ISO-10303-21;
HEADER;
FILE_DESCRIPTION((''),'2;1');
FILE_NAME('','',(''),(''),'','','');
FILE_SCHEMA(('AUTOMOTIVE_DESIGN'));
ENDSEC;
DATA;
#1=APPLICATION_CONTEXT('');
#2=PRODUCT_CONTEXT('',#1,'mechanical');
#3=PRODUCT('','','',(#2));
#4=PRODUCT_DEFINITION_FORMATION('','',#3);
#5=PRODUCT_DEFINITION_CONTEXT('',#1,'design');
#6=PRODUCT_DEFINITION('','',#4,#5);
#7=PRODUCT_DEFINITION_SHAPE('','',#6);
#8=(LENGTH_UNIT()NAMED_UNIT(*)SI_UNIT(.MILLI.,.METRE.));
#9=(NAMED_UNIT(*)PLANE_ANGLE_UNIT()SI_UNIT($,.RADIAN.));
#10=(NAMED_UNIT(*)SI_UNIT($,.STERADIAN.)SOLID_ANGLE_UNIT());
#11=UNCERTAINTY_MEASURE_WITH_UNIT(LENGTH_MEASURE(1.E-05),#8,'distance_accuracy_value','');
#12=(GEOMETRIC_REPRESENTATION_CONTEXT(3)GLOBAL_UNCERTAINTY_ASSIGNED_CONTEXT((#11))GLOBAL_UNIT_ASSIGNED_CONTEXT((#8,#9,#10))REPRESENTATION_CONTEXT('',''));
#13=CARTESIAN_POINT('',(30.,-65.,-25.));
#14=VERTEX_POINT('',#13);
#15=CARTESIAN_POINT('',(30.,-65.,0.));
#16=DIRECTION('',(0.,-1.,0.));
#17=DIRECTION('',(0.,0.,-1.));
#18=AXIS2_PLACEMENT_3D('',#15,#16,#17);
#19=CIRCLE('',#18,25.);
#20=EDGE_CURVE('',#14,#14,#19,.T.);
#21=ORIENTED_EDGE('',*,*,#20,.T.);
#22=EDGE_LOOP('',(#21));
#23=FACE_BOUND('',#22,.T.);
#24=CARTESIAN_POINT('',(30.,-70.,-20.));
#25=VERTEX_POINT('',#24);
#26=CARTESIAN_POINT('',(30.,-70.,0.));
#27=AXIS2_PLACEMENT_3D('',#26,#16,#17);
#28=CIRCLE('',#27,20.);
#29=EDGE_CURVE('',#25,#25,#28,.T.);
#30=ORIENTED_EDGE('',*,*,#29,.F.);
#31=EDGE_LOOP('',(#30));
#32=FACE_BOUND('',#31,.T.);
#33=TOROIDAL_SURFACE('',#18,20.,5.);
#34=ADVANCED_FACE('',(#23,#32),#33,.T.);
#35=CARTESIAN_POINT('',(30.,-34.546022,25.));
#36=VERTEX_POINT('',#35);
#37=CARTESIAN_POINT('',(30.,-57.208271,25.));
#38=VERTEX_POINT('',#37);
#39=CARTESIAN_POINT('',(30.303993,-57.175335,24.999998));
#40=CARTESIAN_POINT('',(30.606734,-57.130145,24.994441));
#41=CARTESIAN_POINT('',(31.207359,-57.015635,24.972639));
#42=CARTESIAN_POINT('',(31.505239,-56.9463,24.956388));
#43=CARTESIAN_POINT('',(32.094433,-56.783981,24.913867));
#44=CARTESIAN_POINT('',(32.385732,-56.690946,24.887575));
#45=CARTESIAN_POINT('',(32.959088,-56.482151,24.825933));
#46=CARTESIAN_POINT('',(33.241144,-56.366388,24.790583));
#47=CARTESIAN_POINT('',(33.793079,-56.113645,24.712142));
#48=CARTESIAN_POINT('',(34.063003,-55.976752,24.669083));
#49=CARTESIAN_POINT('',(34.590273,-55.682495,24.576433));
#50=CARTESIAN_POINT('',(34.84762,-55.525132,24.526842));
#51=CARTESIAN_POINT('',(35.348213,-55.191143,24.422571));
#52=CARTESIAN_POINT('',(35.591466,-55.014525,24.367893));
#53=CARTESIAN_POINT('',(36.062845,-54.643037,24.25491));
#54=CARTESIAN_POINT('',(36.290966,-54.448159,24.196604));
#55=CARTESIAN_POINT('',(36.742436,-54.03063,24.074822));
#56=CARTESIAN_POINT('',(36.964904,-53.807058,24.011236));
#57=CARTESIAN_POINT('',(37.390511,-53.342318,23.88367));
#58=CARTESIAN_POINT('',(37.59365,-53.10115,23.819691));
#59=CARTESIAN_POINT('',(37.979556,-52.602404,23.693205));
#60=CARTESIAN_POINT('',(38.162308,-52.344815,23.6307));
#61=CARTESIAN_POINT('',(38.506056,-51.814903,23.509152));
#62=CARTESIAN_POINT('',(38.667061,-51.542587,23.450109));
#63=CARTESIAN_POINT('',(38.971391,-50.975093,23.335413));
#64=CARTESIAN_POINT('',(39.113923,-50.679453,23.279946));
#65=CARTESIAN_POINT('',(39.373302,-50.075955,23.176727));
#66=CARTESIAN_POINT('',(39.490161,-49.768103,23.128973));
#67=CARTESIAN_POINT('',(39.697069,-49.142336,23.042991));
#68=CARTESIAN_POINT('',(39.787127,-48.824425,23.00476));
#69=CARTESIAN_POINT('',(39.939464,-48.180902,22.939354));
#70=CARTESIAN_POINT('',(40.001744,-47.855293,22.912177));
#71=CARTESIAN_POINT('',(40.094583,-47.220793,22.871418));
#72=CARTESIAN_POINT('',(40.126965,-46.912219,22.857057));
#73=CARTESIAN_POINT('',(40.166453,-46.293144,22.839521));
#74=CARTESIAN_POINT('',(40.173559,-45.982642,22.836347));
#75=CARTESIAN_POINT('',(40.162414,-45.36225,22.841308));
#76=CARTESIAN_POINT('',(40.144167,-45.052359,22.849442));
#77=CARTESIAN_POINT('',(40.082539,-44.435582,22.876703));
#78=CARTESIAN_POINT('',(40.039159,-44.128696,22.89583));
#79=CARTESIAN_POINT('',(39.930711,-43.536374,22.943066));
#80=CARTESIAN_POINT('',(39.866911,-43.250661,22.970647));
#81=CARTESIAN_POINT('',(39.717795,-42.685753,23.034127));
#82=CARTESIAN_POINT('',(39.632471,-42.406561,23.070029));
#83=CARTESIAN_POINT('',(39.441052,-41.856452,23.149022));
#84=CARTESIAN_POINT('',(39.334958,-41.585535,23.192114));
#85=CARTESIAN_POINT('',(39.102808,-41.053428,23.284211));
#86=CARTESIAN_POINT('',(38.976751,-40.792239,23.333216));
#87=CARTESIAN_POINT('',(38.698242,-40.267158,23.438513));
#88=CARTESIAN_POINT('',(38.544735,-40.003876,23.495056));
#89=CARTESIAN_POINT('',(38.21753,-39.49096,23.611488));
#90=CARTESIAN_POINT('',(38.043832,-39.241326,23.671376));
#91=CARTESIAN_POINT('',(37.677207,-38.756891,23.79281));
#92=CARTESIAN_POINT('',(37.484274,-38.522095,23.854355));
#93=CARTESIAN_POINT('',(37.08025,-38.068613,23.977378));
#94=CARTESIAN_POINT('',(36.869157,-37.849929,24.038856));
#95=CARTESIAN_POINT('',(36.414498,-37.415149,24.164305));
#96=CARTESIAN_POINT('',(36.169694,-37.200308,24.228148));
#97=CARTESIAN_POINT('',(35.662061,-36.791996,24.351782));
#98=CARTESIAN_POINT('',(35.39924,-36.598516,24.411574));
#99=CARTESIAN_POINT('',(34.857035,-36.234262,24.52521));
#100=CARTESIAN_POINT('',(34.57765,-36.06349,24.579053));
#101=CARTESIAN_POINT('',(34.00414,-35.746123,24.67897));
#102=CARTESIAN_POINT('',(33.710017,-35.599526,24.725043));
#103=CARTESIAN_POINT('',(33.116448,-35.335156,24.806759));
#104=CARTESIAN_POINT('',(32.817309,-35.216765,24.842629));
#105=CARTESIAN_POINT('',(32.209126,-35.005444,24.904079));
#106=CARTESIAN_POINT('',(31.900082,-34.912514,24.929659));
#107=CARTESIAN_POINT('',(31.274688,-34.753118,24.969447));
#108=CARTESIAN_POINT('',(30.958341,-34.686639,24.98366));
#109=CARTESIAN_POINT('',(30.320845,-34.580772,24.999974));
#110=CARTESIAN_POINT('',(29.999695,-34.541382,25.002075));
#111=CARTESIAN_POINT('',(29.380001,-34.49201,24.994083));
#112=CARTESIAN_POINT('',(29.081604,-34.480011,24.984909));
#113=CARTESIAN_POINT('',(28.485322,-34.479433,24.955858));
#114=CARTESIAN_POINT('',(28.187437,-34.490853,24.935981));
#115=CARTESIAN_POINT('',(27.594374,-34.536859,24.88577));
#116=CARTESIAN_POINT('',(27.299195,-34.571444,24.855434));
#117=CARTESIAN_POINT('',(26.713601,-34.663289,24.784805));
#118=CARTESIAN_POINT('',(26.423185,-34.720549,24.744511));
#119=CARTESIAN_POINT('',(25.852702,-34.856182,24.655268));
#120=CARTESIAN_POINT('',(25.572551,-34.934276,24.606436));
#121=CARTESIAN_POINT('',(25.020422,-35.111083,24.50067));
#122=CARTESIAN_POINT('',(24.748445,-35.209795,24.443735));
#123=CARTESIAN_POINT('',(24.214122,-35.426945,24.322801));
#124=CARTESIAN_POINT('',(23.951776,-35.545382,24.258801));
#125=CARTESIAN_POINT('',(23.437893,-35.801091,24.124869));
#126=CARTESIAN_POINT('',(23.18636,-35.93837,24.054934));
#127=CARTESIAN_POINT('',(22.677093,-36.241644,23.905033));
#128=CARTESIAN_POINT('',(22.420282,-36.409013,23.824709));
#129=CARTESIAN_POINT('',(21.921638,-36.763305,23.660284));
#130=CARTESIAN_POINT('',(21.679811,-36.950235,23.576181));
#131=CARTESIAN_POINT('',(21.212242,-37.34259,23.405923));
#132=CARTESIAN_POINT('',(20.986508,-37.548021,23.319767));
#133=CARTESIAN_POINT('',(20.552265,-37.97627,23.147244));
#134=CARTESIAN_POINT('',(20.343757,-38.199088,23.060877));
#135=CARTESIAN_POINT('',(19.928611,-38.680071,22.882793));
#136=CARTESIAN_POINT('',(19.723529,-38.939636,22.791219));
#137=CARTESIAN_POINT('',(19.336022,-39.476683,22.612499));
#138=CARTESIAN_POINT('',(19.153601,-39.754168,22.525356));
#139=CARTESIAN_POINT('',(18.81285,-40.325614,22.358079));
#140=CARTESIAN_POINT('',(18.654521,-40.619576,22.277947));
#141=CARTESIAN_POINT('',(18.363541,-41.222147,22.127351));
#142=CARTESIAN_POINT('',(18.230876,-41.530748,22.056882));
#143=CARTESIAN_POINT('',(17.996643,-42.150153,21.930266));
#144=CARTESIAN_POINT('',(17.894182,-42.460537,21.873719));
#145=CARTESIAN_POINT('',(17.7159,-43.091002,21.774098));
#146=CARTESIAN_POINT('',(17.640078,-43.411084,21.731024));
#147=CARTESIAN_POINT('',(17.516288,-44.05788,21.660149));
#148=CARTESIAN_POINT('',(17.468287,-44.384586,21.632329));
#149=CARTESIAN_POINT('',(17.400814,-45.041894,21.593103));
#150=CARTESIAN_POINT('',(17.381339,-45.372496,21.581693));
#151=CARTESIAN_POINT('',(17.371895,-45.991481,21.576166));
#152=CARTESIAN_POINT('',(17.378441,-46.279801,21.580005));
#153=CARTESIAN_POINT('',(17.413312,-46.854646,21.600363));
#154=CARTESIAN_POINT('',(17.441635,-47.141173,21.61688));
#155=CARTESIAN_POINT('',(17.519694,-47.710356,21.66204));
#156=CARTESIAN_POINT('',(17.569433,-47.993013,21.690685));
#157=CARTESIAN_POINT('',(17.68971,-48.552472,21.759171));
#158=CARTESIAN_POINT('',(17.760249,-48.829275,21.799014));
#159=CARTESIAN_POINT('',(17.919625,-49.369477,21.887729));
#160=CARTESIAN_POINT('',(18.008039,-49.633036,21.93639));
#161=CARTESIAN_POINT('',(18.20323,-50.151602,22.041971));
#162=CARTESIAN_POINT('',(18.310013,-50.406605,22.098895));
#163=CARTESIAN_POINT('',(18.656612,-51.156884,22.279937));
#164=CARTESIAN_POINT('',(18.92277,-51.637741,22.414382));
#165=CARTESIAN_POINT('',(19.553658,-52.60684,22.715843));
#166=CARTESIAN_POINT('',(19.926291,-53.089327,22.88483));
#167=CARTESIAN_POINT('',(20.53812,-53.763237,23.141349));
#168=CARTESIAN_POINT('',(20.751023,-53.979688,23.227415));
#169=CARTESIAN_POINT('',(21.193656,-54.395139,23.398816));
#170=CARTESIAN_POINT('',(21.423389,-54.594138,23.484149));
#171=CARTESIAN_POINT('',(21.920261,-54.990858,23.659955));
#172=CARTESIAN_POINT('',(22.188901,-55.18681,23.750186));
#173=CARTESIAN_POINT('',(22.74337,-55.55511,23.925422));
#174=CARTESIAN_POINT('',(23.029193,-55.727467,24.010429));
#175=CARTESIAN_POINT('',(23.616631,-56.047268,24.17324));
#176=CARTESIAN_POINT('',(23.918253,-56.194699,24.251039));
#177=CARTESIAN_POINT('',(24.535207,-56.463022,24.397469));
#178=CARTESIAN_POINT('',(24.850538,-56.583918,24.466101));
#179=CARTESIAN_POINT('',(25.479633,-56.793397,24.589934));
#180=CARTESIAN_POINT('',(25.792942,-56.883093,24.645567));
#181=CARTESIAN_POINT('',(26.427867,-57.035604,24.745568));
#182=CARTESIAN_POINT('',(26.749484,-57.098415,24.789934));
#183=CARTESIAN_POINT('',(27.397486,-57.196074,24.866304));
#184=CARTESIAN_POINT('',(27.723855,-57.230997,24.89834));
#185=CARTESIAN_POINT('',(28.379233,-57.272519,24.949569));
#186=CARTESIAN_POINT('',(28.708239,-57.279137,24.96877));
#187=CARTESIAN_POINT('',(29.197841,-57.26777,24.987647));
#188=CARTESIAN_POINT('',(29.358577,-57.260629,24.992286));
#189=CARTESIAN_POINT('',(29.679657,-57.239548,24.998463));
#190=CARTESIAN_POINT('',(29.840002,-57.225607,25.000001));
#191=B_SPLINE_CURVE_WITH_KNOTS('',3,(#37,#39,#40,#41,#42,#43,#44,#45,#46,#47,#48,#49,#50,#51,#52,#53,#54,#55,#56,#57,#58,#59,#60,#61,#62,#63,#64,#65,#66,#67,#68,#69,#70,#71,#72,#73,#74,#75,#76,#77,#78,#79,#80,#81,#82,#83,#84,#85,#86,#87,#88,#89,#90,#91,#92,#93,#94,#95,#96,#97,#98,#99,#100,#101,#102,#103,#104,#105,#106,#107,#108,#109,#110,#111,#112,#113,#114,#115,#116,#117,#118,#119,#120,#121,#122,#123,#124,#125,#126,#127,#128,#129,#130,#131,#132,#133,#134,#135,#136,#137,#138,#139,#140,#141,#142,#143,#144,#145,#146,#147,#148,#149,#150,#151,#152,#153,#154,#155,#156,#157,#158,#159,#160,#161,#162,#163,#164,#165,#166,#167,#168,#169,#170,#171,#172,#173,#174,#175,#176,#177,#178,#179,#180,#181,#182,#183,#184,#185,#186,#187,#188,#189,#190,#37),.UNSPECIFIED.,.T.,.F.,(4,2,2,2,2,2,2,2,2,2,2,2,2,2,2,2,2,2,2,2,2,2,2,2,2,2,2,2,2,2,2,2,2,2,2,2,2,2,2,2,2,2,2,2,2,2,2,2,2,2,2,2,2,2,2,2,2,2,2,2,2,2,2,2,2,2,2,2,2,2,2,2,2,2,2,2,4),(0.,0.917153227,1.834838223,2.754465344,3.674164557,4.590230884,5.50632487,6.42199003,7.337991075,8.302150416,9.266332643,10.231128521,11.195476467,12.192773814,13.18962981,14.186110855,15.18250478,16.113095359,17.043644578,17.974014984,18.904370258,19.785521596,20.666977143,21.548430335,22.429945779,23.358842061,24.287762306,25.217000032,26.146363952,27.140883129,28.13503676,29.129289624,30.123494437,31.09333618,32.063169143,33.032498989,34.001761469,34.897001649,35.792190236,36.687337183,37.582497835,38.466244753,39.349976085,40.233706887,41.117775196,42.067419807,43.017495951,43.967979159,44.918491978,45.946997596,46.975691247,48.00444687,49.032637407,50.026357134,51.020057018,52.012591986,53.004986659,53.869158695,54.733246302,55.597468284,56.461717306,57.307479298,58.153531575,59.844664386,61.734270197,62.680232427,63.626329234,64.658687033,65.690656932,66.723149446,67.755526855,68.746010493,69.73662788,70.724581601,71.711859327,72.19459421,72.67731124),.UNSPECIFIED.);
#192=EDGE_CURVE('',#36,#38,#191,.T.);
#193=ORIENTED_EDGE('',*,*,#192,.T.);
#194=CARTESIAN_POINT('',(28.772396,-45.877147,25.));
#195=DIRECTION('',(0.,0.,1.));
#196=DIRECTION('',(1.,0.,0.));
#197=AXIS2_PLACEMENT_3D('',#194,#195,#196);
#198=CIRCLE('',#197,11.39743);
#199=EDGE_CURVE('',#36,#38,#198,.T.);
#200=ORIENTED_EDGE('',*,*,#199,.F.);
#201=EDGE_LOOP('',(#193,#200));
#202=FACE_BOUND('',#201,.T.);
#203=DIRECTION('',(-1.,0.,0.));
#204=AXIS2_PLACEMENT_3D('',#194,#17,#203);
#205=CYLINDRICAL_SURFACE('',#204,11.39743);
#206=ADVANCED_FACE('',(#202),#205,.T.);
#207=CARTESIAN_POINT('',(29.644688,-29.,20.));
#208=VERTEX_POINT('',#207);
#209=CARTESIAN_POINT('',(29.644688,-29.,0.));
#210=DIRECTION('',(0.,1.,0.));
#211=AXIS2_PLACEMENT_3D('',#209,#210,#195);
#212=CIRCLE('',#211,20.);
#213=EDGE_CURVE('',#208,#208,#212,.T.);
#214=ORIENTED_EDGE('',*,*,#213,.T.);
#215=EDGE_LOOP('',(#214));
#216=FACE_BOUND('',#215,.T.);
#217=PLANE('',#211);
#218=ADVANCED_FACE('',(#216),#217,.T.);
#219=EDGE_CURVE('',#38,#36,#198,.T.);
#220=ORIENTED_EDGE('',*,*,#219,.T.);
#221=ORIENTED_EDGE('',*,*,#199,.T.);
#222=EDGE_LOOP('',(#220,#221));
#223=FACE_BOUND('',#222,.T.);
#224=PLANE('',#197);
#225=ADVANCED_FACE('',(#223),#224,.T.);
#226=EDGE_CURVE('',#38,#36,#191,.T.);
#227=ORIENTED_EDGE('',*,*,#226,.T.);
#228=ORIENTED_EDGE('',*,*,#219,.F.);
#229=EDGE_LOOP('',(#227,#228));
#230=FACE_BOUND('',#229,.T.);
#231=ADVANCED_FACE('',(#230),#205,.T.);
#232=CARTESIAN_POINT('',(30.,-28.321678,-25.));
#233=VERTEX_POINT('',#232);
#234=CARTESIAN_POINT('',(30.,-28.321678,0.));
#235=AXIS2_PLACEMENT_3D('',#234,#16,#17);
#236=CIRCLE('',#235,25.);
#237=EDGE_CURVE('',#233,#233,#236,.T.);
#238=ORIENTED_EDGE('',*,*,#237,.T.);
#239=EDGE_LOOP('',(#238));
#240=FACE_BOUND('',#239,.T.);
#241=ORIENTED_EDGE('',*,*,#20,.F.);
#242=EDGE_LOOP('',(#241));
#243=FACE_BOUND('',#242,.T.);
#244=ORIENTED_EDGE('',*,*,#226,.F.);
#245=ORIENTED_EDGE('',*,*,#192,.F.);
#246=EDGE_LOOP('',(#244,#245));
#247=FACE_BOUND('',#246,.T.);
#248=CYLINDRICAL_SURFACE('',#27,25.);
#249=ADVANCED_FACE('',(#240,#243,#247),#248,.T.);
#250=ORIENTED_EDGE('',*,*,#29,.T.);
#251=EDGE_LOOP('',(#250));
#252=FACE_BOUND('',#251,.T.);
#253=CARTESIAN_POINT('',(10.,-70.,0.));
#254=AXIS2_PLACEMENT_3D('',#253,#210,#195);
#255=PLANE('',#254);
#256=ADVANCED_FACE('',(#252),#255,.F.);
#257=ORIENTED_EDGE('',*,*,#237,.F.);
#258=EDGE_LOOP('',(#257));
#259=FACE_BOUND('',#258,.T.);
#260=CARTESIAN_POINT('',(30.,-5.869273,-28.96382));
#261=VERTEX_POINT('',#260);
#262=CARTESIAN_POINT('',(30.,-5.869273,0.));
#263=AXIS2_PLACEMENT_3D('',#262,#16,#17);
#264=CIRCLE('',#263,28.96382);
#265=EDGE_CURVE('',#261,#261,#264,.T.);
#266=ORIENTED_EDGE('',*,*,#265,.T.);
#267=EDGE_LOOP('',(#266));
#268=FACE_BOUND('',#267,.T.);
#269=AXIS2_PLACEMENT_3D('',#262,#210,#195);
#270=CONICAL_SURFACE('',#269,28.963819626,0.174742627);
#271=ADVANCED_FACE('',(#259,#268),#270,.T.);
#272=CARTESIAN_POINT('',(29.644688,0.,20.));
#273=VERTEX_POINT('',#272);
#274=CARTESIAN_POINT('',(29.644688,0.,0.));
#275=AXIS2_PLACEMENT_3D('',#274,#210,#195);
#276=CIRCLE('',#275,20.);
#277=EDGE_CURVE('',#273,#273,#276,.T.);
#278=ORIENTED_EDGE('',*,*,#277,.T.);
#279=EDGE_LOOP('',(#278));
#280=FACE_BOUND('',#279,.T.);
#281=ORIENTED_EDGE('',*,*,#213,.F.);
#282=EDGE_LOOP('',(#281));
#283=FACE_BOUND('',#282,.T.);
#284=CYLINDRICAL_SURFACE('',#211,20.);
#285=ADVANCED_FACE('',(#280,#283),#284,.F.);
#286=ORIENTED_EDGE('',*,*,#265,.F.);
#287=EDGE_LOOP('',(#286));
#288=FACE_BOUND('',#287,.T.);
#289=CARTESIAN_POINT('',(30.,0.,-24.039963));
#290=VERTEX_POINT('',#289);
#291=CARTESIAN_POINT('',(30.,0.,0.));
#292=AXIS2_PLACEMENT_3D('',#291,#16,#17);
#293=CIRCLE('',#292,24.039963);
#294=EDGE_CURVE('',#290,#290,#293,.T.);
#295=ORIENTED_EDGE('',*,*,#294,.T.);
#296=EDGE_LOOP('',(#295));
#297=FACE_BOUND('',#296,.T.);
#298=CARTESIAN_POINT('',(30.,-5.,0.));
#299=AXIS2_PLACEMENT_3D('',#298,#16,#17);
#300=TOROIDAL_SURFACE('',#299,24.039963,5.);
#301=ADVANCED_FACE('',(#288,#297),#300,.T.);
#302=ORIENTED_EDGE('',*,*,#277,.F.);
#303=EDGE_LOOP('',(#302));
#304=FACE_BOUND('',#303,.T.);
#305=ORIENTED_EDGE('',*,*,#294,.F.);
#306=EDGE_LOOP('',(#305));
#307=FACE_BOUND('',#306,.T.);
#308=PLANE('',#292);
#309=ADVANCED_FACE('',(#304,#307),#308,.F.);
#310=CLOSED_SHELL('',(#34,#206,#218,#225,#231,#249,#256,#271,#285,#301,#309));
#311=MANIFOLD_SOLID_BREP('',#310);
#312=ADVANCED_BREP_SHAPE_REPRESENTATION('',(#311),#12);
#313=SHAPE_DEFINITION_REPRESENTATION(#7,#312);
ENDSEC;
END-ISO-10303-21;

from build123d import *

# Parameters (mm, degrees)
SKETCH13_R          = 20
CUT_EXTRUDE1_DEPTH  = 29
SKETCH14_R          = 11.397429613
BOSS_EXTRUDE1_DEPTH = 25


with BuildPart() as part:
    # Sketch12 → Revolve2 (revolve)
    with BuildSketch(Plane.XY, mode=Mode.PRIVATE) as revolve2_sk:
        with BuildLine():
            Line((1.036180374, -5.869273447), (5, -28.321678322))
            Line((5, -28.321678322), (5, -65))
            ThreePointArc((5, -65), (6.464466094, -68.535533906), (10, -70))
            Line((10, -70), (30, -70))
            Line((30, -70), (30, 0))
            Line((30, 0), (5.960036959, 0))
            ThreePointArc((5.960036959, 0), (2.129477781, -1.786463571), (1.036180374, -5.869273447))
        make_face()
    revolve(revolve2_sk.sketch.rotate(Axis((30, -70, 0), (0, 1, 0)), 270), axis=Axis((30, -70, 0), (0, 1, 0)))

    # Sketch13 → Cut-Extrude1 (cut)
    with BuildSketch(Plane(origin=(0, 0, 0), x_dir=(1, 0, 0), z_dir=(0, 1, 0))):
        with Locations(Location((29.644688486, 0, 0), (0, 0, 270))):
            Circle(SKETCH13_R)
    extrude(amount=-CUT_EXTRUDE1_DEPTH, mode=Mode.SUBTRACT)

    # Sketch14 → Boss-Extrude1 (add)
    with BuildSketch(Plane.XY):
        with Locations((28.772395524, -45.877146633)):
            Circle(SKETCH14_R)
    extrude(amount=BOSS_EXTRUDE1_DEPTH)


solid = part.part
